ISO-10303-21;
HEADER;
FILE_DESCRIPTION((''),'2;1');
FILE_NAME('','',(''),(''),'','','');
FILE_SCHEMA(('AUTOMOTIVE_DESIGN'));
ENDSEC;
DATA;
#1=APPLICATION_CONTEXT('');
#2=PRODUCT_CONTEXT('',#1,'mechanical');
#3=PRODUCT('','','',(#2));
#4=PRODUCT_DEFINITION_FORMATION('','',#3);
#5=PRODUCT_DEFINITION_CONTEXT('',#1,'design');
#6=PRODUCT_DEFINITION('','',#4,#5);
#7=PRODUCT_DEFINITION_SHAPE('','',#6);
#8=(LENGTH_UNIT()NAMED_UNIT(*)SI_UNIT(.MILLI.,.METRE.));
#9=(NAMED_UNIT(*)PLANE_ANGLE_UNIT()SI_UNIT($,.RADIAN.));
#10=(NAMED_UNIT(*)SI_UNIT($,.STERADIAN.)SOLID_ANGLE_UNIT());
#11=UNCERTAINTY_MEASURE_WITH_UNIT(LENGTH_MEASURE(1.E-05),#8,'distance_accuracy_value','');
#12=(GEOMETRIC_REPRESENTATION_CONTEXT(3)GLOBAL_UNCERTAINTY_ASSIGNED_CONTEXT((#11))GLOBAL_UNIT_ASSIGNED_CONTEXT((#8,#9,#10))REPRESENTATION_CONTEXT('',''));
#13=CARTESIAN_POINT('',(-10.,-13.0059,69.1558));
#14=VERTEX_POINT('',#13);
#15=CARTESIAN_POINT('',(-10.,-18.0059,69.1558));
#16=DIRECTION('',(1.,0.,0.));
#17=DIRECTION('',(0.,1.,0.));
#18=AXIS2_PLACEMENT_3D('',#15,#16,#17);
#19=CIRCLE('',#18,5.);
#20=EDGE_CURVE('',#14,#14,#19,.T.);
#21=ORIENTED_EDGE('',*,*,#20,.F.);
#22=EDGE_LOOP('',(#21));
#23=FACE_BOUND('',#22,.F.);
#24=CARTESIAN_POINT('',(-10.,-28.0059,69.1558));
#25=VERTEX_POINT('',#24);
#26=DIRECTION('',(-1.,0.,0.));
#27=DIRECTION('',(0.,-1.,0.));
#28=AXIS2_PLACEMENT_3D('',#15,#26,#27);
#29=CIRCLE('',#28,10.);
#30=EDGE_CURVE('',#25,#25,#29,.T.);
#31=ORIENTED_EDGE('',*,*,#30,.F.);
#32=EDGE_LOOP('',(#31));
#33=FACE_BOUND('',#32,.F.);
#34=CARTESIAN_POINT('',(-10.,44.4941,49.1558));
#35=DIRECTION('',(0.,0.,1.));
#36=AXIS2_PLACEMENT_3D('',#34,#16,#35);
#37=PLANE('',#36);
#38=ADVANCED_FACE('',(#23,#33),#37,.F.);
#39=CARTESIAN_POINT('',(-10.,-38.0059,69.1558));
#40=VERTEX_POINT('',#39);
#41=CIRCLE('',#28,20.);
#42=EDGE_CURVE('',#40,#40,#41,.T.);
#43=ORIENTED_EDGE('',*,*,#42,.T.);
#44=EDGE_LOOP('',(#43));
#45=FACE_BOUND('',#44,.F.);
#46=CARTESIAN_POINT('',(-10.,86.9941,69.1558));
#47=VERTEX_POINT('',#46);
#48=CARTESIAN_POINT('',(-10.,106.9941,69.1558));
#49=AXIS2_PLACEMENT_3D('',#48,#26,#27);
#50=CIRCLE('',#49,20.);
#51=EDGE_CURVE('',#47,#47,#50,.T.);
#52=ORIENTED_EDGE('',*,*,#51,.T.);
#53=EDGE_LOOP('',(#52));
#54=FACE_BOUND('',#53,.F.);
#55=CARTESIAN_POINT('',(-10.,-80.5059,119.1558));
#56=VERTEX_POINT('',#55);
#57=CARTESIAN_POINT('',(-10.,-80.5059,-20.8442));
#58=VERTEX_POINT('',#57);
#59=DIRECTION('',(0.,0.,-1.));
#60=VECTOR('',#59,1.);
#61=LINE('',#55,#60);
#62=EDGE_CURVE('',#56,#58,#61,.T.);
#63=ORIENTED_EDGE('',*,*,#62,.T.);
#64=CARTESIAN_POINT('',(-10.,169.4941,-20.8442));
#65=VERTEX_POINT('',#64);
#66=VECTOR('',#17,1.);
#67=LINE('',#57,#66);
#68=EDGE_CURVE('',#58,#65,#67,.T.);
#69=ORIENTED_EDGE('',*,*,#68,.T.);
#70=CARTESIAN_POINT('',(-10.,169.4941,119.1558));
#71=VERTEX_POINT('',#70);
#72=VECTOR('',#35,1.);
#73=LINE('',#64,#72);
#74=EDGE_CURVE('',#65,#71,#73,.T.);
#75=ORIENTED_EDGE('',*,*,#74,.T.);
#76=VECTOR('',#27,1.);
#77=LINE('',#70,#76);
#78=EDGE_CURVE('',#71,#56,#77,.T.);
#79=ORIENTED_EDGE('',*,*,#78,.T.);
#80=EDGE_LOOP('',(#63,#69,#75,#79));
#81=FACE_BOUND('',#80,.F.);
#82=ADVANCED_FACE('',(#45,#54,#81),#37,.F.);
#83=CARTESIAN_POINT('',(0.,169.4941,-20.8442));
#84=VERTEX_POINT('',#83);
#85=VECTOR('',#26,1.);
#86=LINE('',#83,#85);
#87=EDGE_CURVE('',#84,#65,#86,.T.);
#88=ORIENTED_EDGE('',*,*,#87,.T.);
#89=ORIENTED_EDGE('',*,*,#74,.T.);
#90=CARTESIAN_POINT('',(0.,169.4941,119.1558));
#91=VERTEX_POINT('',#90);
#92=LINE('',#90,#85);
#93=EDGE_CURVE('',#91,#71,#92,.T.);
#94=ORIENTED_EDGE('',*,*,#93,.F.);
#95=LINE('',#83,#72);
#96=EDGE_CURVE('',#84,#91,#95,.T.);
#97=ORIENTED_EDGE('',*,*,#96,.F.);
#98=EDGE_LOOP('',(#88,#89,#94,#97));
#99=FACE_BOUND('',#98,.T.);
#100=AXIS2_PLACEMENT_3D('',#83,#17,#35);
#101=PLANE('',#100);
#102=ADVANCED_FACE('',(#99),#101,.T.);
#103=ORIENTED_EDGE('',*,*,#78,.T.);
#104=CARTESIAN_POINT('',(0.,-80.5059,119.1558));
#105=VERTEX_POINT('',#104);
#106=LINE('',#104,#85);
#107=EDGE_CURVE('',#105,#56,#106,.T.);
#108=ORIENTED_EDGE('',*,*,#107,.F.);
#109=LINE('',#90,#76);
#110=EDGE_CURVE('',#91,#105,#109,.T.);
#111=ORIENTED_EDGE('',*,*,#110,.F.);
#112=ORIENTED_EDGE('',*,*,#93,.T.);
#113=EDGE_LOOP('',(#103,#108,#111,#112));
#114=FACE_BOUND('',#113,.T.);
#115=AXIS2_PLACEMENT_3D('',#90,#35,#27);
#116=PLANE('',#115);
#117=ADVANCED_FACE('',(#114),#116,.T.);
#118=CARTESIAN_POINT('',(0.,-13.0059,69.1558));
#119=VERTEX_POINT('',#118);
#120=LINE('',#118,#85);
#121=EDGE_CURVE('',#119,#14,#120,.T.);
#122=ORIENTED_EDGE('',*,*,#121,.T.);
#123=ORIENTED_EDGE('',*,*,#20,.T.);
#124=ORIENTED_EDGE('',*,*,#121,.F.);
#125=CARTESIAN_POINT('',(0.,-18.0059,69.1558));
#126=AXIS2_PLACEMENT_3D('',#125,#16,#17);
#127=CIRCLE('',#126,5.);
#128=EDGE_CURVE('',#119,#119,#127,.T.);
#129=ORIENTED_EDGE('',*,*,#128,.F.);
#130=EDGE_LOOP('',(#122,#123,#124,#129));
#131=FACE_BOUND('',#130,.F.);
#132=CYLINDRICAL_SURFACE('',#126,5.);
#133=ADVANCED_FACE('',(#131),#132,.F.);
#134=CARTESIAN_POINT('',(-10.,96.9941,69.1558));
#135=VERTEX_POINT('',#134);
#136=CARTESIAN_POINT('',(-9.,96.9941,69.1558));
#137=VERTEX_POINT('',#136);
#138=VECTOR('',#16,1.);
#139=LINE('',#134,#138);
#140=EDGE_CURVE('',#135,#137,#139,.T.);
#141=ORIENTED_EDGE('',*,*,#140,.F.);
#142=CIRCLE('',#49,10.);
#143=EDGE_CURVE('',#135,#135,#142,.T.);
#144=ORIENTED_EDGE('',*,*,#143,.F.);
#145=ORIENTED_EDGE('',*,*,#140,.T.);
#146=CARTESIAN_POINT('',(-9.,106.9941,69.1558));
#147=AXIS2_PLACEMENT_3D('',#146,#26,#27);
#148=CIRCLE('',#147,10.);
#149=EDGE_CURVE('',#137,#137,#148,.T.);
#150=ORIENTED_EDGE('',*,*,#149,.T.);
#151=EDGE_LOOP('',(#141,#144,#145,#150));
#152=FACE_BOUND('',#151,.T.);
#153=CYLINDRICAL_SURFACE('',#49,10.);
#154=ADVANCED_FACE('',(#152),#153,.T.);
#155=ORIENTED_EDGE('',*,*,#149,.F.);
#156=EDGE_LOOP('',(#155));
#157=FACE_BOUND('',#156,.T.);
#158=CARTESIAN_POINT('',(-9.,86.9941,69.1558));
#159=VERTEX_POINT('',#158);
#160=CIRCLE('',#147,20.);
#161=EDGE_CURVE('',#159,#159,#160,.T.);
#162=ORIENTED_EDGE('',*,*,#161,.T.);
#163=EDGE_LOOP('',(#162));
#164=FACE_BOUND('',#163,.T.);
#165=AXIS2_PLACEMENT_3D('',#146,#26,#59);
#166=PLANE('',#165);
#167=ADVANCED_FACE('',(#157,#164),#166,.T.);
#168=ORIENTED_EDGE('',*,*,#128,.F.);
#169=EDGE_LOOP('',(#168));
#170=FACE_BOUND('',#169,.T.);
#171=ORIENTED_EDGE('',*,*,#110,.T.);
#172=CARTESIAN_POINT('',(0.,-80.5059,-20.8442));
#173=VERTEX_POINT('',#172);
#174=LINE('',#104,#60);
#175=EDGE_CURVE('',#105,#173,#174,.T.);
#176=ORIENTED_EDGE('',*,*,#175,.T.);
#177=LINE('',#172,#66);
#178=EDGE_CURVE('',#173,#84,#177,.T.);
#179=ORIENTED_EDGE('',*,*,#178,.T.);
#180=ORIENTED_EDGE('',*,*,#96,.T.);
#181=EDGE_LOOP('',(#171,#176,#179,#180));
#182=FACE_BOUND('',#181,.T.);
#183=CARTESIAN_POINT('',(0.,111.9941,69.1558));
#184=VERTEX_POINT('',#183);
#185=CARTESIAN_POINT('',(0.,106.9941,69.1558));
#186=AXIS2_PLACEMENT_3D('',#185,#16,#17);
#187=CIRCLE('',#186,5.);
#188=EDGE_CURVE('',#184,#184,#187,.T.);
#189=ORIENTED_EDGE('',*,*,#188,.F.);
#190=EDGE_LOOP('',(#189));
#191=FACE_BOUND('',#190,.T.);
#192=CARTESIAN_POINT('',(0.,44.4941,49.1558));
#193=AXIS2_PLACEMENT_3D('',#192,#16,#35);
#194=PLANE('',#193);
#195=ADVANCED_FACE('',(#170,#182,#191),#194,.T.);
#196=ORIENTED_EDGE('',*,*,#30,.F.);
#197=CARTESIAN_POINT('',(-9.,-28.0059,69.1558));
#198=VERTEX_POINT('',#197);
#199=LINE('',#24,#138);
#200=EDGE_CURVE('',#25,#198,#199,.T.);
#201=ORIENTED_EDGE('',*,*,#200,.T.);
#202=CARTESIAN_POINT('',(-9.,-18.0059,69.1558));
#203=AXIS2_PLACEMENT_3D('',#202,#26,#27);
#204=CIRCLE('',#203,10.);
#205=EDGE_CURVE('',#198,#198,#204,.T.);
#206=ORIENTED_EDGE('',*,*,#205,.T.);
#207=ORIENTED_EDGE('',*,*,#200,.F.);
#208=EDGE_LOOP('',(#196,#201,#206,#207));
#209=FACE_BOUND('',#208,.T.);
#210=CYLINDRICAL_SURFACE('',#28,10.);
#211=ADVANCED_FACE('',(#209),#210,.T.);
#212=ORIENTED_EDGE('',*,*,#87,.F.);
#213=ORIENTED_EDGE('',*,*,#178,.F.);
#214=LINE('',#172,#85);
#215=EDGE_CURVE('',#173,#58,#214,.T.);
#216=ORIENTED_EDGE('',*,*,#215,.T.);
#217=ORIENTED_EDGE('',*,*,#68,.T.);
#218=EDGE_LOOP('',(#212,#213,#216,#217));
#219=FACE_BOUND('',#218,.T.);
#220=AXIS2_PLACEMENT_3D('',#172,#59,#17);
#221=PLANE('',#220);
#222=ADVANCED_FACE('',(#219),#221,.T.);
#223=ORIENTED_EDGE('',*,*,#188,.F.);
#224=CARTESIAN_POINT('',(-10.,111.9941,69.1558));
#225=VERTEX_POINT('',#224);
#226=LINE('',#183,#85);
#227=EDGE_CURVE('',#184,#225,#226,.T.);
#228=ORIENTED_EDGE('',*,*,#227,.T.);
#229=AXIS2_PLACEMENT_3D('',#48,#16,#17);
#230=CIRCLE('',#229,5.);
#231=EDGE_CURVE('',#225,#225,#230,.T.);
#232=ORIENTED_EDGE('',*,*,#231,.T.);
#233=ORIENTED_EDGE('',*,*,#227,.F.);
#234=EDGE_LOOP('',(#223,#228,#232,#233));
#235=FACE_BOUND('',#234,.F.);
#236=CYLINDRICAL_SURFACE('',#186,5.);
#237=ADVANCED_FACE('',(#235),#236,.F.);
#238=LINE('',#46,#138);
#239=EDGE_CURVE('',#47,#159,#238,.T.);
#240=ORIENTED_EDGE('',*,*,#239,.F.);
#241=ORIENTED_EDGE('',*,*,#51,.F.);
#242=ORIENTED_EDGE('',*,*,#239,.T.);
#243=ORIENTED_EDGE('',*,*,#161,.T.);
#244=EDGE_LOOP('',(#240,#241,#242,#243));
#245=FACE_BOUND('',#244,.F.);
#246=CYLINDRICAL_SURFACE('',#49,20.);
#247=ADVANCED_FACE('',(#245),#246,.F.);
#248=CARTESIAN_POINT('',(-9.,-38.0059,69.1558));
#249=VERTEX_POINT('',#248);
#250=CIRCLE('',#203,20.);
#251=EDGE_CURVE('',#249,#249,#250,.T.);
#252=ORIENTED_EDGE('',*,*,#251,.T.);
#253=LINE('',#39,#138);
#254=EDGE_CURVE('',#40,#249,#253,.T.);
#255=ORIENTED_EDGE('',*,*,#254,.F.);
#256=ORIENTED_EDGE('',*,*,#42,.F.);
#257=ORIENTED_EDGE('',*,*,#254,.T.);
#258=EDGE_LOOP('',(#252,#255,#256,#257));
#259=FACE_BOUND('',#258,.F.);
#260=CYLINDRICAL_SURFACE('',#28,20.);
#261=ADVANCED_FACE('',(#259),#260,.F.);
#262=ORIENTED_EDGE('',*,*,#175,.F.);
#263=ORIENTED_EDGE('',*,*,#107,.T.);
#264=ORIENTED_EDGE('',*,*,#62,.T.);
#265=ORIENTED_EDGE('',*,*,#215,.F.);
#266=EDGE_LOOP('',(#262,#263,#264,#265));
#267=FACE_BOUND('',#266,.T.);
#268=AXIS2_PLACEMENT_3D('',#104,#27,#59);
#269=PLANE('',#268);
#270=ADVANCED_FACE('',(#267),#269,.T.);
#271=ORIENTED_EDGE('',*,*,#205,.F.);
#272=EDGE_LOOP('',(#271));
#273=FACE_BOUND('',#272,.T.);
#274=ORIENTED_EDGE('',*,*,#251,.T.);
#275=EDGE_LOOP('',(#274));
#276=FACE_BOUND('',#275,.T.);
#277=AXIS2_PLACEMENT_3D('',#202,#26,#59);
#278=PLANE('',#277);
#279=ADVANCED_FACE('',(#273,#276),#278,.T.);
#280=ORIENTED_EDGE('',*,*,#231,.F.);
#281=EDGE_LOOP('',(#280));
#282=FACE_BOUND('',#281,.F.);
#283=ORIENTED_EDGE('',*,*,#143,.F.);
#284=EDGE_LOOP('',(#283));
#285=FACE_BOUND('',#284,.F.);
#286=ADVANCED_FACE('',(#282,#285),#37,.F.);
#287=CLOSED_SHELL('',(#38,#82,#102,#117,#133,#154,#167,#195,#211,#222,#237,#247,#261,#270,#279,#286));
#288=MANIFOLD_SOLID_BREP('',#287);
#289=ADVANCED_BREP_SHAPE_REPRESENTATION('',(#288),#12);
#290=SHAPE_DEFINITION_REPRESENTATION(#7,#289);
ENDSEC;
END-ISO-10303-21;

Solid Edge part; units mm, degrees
sketch "Sketch1" plane through (0, 0, 0) normal (1, 0, 0) x (0, 1, 0)
  line L0 (-80.5059, -20.8442) -> (169.4941, -20.8442)
  line L1 (169.4941, -20.8442) -> (169.4941, 119.1558)
  line L2 (169.4941, 119.1558) -> (-80.5059, 119.1558)
  line L3 (-80.5059, 119.1558) -> (-80.5059, -20.8442)
  dimension "D1" = 140
  dimension "D2" = 250
extrude "Protrusion1" add sketch "Sketch1" against normal blind 10
sketch "Sketch2" plane through (-10, 44.4941, 29.1558) normal (-1, 0, 0) x (0, -1, 0)
  circle A0 centre (-62.5, 40) radius 10
  circle A1 centre (62.5, 40) radius 20
  circle A2 centre (62.5, 40) radius 10
  circle A3 centre (-62.5, 40) radius 20
  dimension "D1" = 20
  dimension "D2" = 20
  dimension "D3" = 40
  dimension "D4" = 125
  dimension "D5" = 62.5
  dimension "D6" = 50
extrude "Cutout1" cut sketch "Sketch2" against normal blind 1
sketch "Sketch3" plane through (0, 44.4941, 29.1558) normal (1, 0, 0) x (0, 1, 0)
  circle A0 centre (62.5, 40) radius 5
  circle A1 centre (-62.5, 40) radius 5
  dimension "D1" = 10
  dimension "D2" = 10
extrude "Cutout2" cut sketch "Sketch3" against normal through all
